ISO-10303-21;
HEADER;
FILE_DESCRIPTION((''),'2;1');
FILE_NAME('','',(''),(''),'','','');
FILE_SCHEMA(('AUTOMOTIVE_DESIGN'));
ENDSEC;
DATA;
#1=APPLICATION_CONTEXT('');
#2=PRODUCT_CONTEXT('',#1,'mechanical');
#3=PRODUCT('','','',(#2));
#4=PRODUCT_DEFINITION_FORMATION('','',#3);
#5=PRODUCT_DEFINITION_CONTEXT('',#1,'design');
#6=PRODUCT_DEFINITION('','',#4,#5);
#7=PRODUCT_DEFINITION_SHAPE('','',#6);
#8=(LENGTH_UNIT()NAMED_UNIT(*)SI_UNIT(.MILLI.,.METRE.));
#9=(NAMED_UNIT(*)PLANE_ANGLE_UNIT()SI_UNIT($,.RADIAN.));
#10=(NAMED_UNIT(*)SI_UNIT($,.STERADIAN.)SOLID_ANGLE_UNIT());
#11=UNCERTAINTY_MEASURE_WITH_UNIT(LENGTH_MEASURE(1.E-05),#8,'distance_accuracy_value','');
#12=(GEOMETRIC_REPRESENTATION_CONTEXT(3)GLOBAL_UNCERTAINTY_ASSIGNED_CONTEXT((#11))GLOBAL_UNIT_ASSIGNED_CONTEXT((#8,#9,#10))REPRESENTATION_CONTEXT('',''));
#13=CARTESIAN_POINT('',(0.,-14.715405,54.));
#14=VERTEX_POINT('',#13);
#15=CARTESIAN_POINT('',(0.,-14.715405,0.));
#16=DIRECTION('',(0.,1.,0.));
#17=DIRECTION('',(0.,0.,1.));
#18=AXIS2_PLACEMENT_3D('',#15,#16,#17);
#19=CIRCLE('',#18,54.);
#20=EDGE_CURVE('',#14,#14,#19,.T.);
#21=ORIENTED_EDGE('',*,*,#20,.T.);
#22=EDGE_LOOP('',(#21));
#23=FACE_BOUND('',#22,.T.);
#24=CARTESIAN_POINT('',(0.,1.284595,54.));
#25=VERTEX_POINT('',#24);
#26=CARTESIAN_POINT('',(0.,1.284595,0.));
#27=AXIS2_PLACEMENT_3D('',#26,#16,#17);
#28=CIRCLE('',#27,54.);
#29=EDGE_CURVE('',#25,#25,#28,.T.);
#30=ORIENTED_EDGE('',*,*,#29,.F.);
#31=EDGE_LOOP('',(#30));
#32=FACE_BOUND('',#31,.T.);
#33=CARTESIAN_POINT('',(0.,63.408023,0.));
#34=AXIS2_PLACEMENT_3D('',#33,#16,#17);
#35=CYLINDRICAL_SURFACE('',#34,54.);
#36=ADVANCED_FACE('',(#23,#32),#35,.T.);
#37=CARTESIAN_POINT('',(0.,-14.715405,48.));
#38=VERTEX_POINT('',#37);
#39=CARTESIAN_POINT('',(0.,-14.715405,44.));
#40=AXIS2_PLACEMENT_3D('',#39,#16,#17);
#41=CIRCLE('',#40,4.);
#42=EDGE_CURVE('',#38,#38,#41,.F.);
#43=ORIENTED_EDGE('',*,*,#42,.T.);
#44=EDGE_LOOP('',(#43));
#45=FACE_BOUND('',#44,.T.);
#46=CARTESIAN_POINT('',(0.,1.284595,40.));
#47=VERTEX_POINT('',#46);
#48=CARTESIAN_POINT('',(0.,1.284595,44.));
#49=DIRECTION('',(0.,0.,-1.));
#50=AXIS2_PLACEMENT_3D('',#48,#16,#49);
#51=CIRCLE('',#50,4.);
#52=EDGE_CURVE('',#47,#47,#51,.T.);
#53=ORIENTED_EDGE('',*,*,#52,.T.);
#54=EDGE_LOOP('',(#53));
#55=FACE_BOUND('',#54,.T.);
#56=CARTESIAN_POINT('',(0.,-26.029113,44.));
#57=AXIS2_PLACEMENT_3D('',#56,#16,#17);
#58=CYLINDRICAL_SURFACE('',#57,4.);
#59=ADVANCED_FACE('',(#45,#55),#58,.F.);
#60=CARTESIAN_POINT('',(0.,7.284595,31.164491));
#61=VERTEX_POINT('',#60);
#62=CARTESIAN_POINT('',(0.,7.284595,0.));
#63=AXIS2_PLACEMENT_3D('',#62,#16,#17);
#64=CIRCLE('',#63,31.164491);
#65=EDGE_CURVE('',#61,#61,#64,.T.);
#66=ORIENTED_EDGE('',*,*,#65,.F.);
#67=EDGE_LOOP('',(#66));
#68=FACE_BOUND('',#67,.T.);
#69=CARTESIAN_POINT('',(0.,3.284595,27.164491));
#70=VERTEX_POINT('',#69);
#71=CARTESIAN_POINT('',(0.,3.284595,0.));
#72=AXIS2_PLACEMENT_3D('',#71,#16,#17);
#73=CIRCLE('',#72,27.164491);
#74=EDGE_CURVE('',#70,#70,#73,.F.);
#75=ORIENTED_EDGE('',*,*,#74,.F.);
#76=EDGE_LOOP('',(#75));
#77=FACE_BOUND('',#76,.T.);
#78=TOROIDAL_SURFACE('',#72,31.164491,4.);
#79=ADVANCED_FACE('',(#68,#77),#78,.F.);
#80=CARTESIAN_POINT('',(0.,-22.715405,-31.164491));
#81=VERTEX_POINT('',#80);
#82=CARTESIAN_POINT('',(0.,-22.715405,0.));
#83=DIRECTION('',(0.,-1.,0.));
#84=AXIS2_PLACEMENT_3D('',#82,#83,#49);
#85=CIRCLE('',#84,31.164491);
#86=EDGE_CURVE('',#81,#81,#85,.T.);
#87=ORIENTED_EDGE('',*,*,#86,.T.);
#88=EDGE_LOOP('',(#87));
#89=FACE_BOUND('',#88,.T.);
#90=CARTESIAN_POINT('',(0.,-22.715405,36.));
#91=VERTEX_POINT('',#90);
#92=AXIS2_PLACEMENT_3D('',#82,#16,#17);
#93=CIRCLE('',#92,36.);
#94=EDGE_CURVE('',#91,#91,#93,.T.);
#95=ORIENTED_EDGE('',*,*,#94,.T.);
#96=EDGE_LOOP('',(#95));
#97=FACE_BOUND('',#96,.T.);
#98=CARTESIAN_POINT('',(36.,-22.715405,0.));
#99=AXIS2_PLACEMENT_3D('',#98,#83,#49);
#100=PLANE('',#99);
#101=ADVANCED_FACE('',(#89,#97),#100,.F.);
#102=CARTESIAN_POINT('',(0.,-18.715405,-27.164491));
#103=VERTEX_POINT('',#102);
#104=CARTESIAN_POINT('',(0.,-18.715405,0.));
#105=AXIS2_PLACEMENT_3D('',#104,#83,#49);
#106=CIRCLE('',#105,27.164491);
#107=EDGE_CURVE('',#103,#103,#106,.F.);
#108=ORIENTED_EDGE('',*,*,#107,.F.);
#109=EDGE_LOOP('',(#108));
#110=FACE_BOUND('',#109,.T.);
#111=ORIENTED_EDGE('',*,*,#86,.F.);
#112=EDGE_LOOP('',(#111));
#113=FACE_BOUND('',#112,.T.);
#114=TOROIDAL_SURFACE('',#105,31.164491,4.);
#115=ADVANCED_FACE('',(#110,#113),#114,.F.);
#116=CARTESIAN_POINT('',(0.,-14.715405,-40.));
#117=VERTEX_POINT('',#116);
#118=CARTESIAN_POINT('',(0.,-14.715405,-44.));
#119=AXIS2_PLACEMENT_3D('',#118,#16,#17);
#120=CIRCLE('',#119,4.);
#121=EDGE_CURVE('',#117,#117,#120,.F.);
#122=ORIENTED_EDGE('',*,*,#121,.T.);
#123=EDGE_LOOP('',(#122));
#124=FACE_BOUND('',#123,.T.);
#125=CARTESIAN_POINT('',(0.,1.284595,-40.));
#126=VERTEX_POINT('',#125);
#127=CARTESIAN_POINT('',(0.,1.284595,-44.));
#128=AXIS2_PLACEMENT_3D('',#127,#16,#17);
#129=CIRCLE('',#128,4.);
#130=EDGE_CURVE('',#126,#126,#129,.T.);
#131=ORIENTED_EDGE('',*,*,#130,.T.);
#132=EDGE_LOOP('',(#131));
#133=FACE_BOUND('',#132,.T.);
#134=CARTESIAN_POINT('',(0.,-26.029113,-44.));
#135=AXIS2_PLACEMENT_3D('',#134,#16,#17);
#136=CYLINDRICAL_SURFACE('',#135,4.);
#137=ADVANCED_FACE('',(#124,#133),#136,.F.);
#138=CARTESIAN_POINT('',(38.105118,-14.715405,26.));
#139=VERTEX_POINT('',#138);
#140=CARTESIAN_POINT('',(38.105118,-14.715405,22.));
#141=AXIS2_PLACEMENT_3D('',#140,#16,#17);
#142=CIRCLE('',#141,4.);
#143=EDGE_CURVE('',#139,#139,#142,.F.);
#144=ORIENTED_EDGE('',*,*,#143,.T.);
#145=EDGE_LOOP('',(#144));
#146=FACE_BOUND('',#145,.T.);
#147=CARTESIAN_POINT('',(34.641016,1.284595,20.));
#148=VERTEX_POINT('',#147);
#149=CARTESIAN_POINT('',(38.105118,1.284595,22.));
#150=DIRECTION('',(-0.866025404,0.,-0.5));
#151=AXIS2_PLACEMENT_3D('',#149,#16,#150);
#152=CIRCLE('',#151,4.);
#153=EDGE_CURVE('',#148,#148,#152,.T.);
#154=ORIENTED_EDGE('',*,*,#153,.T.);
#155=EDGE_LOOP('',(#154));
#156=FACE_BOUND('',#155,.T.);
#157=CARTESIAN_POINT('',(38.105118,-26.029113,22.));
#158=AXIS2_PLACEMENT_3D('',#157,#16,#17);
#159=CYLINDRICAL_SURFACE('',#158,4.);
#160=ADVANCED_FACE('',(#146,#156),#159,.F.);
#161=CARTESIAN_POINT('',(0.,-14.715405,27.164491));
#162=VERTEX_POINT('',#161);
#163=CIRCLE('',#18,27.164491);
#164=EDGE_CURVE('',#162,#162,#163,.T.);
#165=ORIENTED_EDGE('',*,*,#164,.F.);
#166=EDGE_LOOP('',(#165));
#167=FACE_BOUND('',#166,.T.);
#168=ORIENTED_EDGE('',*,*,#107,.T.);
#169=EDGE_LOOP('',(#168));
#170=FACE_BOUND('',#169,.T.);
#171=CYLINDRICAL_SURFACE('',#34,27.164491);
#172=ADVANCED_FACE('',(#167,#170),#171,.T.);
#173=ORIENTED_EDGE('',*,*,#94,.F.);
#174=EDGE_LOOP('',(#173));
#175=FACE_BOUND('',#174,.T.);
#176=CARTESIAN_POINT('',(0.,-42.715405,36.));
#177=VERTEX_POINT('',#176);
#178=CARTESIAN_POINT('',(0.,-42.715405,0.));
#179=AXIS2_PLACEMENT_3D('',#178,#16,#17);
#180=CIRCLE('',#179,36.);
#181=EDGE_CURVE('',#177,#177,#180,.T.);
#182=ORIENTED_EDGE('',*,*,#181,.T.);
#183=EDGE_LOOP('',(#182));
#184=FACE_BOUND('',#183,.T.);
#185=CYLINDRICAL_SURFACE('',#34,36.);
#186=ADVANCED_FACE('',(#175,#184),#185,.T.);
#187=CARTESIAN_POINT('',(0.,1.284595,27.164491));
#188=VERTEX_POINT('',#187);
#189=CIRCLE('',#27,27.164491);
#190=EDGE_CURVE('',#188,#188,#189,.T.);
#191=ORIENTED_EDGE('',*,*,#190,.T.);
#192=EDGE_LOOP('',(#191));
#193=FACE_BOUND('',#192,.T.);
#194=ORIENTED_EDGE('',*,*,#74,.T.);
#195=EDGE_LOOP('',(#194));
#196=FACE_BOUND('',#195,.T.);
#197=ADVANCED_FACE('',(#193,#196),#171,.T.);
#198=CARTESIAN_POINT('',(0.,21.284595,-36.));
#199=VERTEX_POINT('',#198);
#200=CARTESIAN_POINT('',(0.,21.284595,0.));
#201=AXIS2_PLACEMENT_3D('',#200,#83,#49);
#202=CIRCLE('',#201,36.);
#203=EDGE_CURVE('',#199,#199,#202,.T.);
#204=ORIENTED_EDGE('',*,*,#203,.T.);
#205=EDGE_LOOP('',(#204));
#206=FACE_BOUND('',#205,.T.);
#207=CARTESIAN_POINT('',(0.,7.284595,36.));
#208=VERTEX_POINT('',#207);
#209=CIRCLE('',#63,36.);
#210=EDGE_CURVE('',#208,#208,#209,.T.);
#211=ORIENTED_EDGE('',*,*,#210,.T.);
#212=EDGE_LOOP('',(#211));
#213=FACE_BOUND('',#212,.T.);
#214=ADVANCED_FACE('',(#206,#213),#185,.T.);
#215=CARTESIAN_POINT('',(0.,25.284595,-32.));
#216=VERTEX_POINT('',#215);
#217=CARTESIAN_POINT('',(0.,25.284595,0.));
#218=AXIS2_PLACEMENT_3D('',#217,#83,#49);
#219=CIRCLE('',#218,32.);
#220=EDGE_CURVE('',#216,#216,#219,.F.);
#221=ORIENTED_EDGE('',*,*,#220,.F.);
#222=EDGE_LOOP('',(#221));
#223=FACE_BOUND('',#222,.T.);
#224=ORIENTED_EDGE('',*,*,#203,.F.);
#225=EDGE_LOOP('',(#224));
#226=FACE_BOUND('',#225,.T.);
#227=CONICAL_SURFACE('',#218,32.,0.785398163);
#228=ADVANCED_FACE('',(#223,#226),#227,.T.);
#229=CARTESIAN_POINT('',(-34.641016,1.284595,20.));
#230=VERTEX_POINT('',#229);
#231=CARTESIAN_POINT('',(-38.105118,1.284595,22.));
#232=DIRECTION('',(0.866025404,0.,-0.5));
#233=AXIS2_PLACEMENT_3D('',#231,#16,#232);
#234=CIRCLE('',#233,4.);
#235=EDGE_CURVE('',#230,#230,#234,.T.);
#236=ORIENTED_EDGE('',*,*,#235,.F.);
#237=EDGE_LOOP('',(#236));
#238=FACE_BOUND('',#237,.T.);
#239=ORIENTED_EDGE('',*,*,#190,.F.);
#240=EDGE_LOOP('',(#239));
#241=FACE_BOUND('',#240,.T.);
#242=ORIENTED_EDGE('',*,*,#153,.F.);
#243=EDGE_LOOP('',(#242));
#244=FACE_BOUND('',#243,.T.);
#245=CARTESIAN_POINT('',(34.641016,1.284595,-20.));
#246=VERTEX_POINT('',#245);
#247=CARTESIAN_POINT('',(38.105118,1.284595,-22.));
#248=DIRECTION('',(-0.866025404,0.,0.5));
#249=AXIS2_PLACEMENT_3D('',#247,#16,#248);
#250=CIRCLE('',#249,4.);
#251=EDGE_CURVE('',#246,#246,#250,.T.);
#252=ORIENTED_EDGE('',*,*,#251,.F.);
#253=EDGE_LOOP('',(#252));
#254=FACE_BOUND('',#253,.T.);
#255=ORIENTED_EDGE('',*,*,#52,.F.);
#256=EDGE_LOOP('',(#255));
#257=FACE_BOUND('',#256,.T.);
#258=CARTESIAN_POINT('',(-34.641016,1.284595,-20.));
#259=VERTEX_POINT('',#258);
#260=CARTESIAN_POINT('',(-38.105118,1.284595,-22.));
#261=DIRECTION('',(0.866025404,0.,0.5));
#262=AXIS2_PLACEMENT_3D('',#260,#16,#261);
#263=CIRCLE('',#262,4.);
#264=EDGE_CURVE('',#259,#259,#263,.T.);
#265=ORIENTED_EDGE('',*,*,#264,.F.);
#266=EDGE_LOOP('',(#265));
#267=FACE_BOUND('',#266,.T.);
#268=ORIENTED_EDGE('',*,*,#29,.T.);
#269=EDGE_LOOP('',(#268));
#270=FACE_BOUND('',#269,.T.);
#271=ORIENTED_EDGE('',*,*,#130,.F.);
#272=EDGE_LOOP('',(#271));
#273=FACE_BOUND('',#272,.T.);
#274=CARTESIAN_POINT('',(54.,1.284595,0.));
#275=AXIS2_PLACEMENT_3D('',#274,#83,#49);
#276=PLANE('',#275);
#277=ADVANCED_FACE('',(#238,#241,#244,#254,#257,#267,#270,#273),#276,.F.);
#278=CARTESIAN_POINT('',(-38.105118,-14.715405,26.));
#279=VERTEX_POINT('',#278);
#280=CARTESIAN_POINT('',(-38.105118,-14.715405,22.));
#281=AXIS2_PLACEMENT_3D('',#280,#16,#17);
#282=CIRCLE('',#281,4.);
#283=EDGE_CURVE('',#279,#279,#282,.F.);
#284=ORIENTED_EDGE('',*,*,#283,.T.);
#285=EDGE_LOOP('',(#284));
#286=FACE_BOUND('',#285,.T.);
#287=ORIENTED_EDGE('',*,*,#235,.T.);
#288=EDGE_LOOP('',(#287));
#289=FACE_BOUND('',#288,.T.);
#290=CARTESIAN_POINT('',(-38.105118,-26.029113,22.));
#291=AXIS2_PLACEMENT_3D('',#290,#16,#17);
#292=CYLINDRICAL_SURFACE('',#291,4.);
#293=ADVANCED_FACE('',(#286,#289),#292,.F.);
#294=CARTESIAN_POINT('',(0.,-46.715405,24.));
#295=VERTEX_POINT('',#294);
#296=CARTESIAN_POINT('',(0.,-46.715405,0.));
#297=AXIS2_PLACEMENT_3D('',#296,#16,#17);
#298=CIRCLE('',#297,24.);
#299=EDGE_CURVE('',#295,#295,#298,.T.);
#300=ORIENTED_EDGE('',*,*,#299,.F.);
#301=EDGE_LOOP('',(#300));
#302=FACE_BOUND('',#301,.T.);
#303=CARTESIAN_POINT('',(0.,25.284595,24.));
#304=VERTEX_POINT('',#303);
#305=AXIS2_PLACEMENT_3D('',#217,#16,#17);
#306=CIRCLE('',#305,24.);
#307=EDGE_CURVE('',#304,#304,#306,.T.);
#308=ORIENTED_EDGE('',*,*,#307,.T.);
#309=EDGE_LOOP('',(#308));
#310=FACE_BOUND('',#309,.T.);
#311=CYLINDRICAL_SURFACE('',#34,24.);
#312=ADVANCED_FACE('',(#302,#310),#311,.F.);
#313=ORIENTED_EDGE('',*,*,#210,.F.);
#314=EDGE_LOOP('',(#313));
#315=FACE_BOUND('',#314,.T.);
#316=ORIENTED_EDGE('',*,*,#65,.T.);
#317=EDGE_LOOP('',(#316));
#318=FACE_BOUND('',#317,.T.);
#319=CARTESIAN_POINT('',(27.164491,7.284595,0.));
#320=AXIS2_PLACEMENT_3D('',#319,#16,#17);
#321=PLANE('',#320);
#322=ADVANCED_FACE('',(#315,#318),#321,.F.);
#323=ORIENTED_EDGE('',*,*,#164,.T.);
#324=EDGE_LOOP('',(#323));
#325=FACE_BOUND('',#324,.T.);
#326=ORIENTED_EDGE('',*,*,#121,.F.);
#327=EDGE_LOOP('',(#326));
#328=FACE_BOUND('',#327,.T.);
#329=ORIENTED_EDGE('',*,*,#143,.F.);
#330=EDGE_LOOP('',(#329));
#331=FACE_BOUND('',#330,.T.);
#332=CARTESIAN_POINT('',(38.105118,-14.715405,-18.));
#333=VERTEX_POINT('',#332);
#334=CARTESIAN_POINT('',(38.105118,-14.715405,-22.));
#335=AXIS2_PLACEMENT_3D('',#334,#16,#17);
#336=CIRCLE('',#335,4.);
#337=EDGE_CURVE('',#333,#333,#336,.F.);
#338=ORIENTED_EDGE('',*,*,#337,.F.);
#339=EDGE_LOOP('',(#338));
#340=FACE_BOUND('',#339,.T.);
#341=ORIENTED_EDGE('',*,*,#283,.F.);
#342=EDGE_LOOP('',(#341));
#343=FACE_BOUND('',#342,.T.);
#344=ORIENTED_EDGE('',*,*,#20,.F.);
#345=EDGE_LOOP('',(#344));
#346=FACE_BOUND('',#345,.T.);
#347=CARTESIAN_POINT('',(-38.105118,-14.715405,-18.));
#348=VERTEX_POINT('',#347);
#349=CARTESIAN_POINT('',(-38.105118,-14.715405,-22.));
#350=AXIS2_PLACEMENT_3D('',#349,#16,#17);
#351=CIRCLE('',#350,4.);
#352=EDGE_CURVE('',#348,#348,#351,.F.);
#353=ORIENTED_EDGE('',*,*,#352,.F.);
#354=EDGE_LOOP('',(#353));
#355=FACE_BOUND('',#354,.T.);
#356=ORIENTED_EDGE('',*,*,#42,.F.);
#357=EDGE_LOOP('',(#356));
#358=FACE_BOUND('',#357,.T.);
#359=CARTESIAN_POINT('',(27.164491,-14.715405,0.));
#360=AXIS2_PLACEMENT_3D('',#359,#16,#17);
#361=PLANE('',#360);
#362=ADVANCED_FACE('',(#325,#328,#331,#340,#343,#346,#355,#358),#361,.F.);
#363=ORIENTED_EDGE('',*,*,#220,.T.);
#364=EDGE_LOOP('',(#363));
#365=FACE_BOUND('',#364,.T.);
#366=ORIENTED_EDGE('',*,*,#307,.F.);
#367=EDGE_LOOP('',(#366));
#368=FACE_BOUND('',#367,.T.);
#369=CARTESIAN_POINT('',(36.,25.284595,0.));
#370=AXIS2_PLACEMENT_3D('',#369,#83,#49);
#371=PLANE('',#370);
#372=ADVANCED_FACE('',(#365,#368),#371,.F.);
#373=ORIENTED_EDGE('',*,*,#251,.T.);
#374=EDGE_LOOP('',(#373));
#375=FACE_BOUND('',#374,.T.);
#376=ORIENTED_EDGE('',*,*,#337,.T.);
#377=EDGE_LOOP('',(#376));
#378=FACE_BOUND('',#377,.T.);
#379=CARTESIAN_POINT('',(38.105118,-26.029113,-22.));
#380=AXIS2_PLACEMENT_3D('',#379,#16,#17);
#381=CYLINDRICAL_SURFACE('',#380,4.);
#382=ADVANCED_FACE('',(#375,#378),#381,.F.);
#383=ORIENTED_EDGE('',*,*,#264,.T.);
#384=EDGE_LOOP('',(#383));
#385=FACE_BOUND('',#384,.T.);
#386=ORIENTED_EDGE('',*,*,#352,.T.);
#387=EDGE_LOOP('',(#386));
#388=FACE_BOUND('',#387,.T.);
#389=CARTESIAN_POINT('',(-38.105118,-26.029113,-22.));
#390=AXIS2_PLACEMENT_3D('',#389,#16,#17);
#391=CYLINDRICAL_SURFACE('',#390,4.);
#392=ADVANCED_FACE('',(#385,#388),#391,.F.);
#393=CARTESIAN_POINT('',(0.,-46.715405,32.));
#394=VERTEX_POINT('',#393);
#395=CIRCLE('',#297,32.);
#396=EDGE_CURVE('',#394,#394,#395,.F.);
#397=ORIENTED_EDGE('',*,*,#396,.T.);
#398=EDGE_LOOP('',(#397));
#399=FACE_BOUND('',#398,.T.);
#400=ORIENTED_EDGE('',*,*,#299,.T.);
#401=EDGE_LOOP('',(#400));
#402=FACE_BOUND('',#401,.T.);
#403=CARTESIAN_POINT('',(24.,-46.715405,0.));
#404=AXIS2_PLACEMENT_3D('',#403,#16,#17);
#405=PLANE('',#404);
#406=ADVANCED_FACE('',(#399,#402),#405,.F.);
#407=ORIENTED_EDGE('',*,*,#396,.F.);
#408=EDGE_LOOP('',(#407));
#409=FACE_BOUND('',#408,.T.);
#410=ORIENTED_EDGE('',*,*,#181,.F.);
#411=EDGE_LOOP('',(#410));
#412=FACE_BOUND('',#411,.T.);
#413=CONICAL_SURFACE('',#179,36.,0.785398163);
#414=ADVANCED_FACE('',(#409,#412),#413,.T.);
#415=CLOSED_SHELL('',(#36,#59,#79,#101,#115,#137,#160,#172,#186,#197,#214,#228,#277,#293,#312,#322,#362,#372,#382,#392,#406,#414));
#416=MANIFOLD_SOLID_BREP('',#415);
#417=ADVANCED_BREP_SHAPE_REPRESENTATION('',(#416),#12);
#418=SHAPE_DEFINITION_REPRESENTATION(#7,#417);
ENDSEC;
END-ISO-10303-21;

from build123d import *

# Parameters (mm, degrees)
SKETCH2_R          = 4
CUT_EXTRUDE1_DEPTH = 16
CIRPATTERN1_COUNT  = 6
CHAMFER1_SIZE      = 4
CHAMFER2_SIZE      = 4
FILLET1_R          = 4
FILLET2_R          = 4


with BuildPart() as part:
    # Sketch1 → Revolve1 (revolve)
    with BuildSketch(Plane.XY, mode=Mode.PRIVATE) as revolve1_sk:
        Polygon((24, -46.7154047), (36, -46.7154047), (36, -22.7154047), (27.164490862, -22.7154047), (27.164490862, -14.7154047), (54, -14.7154047), (54, 1.2845953), (27.164490862, 1.2845953), (27.164490862, 7.2845953), (36, 7.2845953), (36, 25.2845953), (24, 25.2845953), align=None)
    revolve(revolve1_sk.sketch.rotate(Axis((0, 63.408022787, 0), (0, -1, 0)), 90), axis=Axis((0, 63.408022787, 0), (0, -1, 0)))

    # Sketch2 → Cut-Extrude1 (cut)
    with BuildSketch(Plane(origin=(0, 1.2845953, 0), x_dir=(1, 0, 0), z_dir=(0, 1, 0))):
        with Locations(Location((0, 44, 0), (0, 0, 270))):
            Circle(SKETCH2_R)
    cut_extrude1 = extrude(amount=-CUT_EXTRUDE1_DEPTH, mode=Mode.SUBTRACT)

    # CirPattern1: Cut-Extrude1 ×6 about axis
    cirpattern1_axis = Axis((0, 0, 0), (0, 1, 0))
    for i in range(1, CIRPATTERN1_COUNT):
        add(cut_extrude1.rotate(cirpattern1_axis, i * 360 / CIRPATTERN1_COUNT), mode=Mode.SUBTRACT)

    # Chamfer1
    chamfer1_edges = [part.edges().sort_by_distance(p)[0] for p in [
        (0, 25.2845953, -36),
    ]]
    chamfer(chamfer1_edges, length=CHAMFER1_SIZE)

    # Chamfer2
    chamfer2_edges = [part.edges().sort_by_distance(p)[0] for p in [
        (0, -46.7154047, -36),
    ]]
    chamfer(chamfer2_edges, length=CHAMFER2_SIZE)

    # Fillet1
    fillet1_edges = [part.edges().sort_by_distance(p)[0] for p in [
        (0, -22.7154047, -27.164490862),
    ]]
    fillet(fillet1_edges, radius=FILLET1_R)

    # Fillet2
    fillet2_edges = [part.edges().sort_by_distance(p)[0] for p in [
        (0, 7.2845953, -27.164490862),
    ]]
    fillet(fillet2_edges, radius=FILLET2_R)


solid = part.part
